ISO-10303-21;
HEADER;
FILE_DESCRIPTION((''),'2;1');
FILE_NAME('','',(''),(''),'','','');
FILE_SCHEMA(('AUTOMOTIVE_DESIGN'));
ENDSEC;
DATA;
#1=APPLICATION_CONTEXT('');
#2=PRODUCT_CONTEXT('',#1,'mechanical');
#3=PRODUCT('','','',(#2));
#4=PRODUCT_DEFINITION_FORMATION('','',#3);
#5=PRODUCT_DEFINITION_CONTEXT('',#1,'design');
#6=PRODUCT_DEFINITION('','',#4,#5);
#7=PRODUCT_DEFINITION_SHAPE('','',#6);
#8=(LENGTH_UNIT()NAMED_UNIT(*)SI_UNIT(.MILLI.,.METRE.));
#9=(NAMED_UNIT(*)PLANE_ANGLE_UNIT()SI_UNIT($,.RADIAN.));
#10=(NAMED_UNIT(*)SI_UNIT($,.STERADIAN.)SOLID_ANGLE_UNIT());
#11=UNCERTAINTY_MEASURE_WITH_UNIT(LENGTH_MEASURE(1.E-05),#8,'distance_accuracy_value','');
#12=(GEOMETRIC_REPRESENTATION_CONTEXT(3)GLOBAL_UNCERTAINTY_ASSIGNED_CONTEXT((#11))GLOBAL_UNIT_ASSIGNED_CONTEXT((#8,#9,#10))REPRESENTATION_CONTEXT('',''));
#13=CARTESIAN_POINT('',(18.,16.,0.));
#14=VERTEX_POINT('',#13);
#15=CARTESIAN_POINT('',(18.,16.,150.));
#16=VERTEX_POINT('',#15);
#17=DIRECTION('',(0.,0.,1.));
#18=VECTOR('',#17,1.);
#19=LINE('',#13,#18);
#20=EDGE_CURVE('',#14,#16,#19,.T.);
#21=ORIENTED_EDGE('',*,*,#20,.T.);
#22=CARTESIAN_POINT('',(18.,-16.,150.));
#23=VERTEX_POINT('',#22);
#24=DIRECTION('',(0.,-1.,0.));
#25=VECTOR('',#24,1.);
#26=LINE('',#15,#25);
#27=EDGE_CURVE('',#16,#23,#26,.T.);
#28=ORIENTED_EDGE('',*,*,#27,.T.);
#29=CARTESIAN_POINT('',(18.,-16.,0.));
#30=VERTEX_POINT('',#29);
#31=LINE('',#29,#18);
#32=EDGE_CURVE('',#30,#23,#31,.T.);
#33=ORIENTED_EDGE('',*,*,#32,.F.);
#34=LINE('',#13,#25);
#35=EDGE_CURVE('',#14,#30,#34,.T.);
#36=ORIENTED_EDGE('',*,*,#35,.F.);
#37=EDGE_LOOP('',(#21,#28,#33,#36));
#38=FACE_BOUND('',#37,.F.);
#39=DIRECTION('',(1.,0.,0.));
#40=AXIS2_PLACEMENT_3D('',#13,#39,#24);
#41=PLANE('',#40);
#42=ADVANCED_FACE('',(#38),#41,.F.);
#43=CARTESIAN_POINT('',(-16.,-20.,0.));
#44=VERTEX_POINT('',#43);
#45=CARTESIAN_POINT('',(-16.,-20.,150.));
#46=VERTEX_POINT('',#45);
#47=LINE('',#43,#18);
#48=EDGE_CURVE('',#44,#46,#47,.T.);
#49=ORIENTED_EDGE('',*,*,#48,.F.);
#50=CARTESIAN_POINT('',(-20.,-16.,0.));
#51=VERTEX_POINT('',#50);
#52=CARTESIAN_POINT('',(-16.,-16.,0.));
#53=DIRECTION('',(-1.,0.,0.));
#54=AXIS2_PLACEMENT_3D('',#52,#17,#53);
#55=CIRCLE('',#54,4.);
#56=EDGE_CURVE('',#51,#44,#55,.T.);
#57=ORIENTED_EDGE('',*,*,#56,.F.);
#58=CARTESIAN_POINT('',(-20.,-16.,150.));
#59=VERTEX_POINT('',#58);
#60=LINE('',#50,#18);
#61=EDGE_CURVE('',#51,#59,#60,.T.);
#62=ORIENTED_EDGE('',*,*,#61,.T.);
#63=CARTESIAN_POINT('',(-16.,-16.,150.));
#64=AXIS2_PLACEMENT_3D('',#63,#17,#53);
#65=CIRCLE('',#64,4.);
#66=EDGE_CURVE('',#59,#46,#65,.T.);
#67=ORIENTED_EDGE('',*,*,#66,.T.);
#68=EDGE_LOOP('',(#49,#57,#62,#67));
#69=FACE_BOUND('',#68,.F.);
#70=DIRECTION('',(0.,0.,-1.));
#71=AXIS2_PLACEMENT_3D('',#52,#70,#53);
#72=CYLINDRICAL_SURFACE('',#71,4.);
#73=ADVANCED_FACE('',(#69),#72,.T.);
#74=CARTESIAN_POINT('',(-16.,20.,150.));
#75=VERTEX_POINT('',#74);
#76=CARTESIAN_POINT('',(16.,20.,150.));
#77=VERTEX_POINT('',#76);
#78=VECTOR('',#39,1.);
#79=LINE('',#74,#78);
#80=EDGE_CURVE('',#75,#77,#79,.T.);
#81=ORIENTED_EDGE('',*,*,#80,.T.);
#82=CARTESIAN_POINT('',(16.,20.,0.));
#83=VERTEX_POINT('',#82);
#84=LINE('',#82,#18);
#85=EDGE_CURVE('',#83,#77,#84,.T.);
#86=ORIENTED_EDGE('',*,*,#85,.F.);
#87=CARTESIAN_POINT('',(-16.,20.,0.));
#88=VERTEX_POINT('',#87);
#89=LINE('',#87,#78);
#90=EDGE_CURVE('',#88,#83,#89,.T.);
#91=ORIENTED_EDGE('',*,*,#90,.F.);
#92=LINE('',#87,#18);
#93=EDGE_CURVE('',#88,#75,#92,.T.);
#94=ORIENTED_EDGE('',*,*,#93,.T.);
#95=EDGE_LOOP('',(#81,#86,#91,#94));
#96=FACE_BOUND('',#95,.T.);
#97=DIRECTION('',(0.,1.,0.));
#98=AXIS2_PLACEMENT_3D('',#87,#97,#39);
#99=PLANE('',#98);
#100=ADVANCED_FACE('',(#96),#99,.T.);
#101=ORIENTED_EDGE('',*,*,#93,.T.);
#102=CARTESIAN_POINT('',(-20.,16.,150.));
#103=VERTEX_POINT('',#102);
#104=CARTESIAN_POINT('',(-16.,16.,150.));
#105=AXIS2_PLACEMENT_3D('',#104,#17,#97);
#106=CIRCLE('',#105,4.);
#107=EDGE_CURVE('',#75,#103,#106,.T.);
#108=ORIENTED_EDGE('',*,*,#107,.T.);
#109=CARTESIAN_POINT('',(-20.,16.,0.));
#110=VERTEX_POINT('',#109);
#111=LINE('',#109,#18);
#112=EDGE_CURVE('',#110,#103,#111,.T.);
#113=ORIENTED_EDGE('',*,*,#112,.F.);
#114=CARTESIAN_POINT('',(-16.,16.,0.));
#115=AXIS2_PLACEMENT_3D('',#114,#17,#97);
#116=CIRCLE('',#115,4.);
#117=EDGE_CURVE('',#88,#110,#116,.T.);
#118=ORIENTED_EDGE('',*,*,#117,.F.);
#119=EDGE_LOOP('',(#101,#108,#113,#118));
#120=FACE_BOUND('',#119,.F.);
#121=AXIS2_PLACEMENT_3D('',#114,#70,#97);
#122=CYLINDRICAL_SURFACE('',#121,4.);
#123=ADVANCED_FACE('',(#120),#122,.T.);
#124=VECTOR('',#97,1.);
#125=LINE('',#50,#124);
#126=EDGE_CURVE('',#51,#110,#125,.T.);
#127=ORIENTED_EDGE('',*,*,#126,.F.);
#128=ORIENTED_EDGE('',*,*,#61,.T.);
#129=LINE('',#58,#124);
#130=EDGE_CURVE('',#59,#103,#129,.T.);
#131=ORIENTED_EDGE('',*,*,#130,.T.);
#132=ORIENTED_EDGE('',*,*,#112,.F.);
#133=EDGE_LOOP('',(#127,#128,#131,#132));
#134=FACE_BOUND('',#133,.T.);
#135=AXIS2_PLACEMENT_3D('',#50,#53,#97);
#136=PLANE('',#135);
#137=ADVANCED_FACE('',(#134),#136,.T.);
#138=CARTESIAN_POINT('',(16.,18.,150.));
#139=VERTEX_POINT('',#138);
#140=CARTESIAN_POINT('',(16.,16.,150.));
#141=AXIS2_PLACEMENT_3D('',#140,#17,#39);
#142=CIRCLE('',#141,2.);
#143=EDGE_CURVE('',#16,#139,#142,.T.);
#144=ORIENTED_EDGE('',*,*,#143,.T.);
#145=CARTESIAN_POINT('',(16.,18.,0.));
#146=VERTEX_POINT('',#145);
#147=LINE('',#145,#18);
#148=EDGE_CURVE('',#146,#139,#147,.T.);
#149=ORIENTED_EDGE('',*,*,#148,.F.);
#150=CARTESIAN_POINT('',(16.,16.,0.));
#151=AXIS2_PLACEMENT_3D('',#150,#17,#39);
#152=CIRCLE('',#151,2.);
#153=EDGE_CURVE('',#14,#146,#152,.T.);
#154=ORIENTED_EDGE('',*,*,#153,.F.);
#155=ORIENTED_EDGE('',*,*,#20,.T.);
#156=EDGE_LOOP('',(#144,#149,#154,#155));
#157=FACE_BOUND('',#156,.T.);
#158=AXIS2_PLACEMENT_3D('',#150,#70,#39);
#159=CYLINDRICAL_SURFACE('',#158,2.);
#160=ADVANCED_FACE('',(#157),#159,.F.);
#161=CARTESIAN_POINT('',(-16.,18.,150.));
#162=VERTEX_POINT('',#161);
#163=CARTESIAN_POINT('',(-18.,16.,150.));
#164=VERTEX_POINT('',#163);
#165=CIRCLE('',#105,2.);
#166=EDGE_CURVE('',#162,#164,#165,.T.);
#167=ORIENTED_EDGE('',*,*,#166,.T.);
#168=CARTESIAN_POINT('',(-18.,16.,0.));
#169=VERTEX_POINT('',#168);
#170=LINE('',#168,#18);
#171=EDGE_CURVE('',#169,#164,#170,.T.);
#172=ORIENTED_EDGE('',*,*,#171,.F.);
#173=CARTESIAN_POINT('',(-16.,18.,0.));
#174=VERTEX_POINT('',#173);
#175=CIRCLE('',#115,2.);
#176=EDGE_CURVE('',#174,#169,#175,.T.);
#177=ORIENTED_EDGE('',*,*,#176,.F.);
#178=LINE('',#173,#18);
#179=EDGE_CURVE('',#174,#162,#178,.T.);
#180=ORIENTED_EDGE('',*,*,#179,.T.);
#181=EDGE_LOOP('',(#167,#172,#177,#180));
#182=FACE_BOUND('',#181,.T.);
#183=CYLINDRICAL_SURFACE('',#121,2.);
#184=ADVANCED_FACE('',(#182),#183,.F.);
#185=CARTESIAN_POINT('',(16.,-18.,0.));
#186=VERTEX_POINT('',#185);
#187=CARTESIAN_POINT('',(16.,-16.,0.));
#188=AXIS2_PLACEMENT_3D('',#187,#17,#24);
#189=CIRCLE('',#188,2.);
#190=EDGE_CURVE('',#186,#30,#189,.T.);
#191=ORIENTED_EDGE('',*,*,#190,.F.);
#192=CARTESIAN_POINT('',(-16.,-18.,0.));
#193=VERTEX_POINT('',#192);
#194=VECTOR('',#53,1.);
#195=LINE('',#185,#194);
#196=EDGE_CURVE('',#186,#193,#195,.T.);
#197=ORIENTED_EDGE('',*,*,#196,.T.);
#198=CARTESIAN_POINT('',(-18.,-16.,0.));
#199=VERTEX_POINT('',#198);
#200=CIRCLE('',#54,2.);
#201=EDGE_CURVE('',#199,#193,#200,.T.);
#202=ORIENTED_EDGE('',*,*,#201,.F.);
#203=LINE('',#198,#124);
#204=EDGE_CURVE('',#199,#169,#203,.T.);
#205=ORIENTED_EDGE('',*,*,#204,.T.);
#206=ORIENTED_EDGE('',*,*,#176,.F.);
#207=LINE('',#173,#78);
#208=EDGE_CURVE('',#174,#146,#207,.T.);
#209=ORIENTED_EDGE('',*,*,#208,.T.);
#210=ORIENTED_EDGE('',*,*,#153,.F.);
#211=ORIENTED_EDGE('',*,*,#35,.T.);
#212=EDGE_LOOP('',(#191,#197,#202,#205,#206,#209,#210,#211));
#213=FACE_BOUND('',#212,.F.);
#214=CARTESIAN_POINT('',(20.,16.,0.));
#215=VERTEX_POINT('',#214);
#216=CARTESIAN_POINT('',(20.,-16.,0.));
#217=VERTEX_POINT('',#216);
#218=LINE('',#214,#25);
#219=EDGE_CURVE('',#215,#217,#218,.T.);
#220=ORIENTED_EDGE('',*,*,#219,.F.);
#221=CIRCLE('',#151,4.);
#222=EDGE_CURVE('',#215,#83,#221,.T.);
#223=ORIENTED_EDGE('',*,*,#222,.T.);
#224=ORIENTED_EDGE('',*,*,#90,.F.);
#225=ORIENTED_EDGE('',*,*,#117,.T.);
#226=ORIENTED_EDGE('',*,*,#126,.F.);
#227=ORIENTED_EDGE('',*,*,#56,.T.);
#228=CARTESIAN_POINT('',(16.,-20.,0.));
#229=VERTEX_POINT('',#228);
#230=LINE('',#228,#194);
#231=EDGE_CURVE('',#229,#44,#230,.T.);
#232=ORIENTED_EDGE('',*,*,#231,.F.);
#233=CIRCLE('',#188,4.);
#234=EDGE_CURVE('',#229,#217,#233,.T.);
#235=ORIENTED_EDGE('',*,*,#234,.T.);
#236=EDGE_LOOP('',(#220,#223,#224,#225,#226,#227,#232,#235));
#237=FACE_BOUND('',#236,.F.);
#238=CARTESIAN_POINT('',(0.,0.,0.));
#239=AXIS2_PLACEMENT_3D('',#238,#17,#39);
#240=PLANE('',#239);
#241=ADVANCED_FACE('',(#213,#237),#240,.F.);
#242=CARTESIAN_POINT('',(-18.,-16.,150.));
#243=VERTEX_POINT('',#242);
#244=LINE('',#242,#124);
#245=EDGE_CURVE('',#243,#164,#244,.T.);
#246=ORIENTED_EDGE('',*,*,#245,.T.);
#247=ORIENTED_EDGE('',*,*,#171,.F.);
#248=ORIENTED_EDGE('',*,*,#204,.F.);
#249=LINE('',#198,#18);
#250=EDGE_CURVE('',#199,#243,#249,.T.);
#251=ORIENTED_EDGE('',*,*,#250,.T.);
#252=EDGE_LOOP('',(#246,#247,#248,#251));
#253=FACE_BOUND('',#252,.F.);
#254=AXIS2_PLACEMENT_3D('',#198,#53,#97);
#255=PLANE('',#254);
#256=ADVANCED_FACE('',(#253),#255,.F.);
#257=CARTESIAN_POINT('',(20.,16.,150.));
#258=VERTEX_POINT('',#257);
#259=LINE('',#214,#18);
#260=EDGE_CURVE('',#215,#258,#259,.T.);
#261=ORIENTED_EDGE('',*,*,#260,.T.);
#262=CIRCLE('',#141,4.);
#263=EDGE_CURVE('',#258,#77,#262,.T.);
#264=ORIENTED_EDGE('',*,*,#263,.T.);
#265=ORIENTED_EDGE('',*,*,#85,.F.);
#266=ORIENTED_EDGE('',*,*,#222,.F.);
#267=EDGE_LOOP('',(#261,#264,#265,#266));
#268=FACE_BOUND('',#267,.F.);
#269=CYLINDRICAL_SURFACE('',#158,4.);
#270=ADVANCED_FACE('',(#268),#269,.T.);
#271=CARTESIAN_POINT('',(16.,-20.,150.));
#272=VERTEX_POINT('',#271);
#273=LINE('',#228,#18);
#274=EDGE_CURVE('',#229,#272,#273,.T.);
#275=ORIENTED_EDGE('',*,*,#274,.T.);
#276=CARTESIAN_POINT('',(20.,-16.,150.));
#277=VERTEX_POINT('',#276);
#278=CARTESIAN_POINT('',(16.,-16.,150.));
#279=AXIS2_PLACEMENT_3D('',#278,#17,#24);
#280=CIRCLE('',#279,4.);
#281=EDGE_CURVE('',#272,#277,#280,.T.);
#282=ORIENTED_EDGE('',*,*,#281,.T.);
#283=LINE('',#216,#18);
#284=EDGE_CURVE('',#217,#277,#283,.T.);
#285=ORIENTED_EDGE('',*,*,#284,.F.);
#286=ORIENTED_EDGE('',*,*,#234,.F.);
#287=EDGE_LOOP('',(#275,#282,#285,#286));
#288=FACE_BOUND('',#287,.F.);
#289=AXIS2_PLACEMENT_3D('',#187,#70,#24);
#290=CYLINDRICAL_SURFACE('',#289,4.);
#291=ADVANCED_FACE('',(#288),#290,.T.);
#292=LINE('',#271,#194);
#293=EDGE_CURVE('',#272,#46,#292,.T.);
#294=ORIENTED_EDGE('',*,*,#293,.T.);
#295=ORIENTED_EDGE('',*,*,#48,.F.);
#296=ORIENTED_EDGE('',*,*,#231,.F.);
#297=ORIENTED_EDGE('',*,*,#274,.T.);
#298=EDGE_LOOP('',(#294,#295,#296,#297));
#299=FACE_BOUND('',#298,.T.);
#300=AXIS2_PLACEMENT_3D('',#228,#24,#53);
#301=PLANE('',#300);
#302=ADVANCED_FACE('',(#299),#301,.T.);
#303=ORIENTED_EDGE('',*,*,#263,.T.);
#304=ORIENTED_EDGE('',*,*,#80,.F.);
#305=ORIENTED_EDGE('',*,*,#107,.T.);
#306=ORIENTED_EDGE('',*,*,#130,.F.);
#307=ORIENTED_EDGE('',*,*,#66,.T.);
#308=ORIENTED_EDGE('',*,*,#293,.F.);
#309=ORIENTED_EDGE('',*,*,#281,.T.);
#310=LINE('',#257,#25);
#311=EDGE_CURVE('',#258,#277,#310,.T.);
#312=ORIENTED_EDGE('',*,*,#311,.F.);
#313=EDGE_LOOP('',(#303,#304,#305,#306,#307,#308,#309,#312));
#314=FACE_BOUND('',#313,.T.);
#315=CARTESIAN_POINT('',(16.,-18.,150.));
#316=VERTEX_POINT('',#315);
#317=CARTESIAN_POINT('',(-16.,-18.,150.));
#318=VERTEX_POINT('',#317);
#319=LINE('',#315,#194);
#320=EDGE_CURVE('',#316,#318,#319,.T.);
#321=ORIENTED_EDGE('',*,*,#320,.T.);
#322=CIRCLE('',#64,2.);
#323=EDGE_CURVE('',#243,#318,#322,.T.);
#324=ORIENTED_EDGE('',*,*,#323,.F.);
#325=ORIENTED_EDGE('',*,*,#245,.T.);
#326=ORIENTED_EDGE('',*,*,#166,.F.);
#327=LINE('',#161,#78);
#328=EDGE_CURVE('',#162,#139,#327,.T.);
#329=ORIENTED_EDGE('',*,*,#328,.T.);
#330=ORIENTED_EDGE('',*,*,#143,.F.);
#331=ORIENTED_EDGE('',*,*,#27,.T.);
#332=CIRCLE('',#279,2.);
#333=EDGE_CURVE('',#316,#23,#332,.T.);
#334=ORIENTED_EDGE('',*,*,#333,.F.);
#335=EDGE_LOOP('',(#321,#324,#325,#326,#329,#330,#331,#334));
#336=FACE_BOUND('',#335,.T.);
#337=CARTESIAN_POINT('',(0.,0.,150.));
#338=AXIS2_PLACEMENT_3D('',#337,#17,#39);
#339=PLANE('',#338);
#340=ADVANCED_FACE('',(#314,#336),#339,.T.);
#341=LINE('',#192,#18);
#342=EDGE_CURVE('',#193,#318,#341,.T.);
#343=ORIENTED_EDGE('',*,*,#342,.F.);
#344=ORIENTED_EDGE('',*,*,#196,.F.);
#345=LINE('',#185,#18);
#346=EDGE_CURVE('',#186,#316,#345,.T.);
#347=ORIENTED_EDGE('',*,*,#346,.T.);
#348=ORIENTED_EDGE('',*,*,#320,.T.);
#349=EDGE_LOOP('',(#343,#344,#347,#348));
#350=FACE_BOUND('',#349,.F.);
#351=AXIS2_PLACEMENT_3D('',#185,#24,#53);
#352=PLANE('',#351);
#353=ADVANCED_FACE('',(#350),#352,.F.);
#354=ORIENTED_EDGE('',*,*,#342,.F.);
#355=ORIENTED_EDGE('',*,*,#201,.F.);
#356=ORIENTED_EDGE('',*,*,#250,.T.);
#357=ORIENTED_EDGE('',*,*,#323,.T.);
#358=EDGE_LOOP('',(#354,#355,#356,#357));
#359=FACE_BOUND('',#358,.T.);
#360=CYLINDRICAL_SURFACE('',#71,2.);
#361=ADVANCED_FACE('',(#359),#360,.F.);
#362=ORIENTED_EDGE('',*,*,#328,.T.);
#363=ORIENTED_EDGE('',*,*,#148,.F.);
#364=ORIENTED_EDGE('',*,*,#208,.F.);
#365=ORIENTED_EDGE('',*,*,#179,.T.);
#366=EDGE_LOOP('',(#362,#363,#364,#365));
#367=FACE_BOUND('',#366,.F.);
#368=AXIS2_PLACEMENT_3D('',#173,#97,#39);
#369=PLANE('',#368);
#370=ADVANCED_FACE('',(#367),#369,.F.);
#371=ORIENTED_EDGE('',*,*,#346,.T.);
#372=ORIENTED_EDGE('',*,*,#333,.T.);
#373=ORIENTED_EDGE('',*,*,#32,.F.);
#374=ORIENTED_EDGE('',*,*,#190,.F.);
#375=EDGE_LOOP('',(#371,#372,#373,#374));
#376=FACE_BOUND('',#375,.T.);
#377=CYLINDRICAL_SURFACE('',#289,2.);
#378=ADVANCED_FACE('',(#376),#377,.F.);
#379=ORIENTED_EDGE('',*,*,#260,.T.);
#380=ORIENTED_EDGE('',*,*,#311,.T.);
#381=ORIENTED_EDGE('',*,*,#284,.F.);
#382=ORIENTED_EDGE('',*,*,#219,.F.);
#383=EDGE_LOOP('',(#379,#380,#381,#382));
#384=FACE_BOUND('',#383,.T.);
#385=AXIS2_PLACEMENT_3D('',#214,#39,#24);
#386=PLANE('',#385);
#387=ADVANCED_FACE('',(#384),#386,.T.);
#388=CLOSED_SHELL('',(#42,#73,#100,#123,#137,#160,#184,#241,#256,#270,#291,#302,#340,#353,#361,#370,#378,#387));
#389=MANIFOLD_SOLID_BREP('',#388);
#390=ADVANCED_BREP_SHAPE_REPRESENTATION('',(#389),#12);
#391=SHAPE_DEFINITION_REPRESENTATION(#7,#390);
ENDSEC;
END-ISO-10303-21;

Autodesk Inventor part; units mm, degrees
ref_plane "YZ Plane" through (0, 0, 0) normal (1, 0, 0) x (0, 1, 0)
ref_plane "Piano iniziale" through (0, 0, 0) normal (0, 0, 1) x (1, 0, 0)
ref_plane "Piano finale" through (0, 0, 150) normal (0, 0, 1) x (1, 0, 0)
sketch "Schizzo" plane through (0, 0, 0) normal (0, 0, 1) x (1, 0, 0)
  line L0 (-20, -16) -> (-20, 16)
  line L1 (-16, 20) -> (16, 20)
  line L2 (20, 16) -> (20, -16)
  line L3 (16, -20) -> (-16, -20)
  arc A0 (-20, -16) -> (-16, -20) centre (-16, -16) ccw
  arc A1 (20, 16) -> (16, 20) centre (16, 16) ccw
  arc A2 (-16, 20) -> (-20, 16) centre (-16, 16) ccw
  arc A3 (16, -20) -> (20, -16) centre (16, -16) ccw
  arc A4 (-16, 18) -> (-18, 16) centre (-16, 16) ccw
  line L4 (-16, 18) -> (16, 18)
  arc A5 (18, 16) -> (16, 18) centre (16, 16) ccw
  line L5 (18, 16) -> (18, -16)
  arc A6 (16, -18) -> (18, -16) centre (16, -16) ccw
  line L6 (16, -18) -> (-16, -18)
  arc A7 (-18, -16) -> (-16, -18) centre (-16, -16) ccw
  line L7 (-18, -16) -> (-18, 16)
  line L8 (0, 29.1598) -> (0, -29.1598) construction
  line L9 (-29.1598, 0) -> (29.1598, 0) construction
  dimension "d7" = 4
  dimension "d9" = 40
  dimension "d11" = 40
  dimension "d12" = 2
  dimension "d15" = 20
  dimension "d16" = 20
extrude "Corpo" add sketch "Schizzo" along normal up to surface (150 mm away) from surface at 0
sketch "Sketch3" plane through (0, 0, 0) normal (0, 0, 1) x (1, 0, 0)
  line L0 (0, 0) -> (10, 0)
ref_plane "Work Plane3" through (0, 0, 0) normal (0, -1, 0) x (1, 0, 0)
sketch "Sketch4" plane through (0, 0, 0) normal (0, -1, 0) x (1, 0, 0)
  line L0 (-2, 0) -> (12, 0)
  line L1 (-2, 150) -> (12, 150)
  dimension "d18" = 150
equation "\"d7\" = G_IR"
equation "\"d9\" = G_W"
equation "\"d11\" = G_H"
equation "\"d12\" = G_T"
equation "\"d15\" = 0.5 * d9"
equation "\"d16\" = 0.5 * d11"
equation "\"d3\" = G_L"
equation "\"G_W\" = 40"
equation "\"G_H\" = 40"
equation "\"G_T\" = 2"
equation "\"G_IR\" = 4"
equation "\"G_L\" = d18"
equation "\"G_OFFSET_START\" = 0"
equation "\"G_OFFSET_END\" = 0"
properties part number "ISO 10799-2 - 40x40x2 - 150" material "Acciaio, Dolce"
